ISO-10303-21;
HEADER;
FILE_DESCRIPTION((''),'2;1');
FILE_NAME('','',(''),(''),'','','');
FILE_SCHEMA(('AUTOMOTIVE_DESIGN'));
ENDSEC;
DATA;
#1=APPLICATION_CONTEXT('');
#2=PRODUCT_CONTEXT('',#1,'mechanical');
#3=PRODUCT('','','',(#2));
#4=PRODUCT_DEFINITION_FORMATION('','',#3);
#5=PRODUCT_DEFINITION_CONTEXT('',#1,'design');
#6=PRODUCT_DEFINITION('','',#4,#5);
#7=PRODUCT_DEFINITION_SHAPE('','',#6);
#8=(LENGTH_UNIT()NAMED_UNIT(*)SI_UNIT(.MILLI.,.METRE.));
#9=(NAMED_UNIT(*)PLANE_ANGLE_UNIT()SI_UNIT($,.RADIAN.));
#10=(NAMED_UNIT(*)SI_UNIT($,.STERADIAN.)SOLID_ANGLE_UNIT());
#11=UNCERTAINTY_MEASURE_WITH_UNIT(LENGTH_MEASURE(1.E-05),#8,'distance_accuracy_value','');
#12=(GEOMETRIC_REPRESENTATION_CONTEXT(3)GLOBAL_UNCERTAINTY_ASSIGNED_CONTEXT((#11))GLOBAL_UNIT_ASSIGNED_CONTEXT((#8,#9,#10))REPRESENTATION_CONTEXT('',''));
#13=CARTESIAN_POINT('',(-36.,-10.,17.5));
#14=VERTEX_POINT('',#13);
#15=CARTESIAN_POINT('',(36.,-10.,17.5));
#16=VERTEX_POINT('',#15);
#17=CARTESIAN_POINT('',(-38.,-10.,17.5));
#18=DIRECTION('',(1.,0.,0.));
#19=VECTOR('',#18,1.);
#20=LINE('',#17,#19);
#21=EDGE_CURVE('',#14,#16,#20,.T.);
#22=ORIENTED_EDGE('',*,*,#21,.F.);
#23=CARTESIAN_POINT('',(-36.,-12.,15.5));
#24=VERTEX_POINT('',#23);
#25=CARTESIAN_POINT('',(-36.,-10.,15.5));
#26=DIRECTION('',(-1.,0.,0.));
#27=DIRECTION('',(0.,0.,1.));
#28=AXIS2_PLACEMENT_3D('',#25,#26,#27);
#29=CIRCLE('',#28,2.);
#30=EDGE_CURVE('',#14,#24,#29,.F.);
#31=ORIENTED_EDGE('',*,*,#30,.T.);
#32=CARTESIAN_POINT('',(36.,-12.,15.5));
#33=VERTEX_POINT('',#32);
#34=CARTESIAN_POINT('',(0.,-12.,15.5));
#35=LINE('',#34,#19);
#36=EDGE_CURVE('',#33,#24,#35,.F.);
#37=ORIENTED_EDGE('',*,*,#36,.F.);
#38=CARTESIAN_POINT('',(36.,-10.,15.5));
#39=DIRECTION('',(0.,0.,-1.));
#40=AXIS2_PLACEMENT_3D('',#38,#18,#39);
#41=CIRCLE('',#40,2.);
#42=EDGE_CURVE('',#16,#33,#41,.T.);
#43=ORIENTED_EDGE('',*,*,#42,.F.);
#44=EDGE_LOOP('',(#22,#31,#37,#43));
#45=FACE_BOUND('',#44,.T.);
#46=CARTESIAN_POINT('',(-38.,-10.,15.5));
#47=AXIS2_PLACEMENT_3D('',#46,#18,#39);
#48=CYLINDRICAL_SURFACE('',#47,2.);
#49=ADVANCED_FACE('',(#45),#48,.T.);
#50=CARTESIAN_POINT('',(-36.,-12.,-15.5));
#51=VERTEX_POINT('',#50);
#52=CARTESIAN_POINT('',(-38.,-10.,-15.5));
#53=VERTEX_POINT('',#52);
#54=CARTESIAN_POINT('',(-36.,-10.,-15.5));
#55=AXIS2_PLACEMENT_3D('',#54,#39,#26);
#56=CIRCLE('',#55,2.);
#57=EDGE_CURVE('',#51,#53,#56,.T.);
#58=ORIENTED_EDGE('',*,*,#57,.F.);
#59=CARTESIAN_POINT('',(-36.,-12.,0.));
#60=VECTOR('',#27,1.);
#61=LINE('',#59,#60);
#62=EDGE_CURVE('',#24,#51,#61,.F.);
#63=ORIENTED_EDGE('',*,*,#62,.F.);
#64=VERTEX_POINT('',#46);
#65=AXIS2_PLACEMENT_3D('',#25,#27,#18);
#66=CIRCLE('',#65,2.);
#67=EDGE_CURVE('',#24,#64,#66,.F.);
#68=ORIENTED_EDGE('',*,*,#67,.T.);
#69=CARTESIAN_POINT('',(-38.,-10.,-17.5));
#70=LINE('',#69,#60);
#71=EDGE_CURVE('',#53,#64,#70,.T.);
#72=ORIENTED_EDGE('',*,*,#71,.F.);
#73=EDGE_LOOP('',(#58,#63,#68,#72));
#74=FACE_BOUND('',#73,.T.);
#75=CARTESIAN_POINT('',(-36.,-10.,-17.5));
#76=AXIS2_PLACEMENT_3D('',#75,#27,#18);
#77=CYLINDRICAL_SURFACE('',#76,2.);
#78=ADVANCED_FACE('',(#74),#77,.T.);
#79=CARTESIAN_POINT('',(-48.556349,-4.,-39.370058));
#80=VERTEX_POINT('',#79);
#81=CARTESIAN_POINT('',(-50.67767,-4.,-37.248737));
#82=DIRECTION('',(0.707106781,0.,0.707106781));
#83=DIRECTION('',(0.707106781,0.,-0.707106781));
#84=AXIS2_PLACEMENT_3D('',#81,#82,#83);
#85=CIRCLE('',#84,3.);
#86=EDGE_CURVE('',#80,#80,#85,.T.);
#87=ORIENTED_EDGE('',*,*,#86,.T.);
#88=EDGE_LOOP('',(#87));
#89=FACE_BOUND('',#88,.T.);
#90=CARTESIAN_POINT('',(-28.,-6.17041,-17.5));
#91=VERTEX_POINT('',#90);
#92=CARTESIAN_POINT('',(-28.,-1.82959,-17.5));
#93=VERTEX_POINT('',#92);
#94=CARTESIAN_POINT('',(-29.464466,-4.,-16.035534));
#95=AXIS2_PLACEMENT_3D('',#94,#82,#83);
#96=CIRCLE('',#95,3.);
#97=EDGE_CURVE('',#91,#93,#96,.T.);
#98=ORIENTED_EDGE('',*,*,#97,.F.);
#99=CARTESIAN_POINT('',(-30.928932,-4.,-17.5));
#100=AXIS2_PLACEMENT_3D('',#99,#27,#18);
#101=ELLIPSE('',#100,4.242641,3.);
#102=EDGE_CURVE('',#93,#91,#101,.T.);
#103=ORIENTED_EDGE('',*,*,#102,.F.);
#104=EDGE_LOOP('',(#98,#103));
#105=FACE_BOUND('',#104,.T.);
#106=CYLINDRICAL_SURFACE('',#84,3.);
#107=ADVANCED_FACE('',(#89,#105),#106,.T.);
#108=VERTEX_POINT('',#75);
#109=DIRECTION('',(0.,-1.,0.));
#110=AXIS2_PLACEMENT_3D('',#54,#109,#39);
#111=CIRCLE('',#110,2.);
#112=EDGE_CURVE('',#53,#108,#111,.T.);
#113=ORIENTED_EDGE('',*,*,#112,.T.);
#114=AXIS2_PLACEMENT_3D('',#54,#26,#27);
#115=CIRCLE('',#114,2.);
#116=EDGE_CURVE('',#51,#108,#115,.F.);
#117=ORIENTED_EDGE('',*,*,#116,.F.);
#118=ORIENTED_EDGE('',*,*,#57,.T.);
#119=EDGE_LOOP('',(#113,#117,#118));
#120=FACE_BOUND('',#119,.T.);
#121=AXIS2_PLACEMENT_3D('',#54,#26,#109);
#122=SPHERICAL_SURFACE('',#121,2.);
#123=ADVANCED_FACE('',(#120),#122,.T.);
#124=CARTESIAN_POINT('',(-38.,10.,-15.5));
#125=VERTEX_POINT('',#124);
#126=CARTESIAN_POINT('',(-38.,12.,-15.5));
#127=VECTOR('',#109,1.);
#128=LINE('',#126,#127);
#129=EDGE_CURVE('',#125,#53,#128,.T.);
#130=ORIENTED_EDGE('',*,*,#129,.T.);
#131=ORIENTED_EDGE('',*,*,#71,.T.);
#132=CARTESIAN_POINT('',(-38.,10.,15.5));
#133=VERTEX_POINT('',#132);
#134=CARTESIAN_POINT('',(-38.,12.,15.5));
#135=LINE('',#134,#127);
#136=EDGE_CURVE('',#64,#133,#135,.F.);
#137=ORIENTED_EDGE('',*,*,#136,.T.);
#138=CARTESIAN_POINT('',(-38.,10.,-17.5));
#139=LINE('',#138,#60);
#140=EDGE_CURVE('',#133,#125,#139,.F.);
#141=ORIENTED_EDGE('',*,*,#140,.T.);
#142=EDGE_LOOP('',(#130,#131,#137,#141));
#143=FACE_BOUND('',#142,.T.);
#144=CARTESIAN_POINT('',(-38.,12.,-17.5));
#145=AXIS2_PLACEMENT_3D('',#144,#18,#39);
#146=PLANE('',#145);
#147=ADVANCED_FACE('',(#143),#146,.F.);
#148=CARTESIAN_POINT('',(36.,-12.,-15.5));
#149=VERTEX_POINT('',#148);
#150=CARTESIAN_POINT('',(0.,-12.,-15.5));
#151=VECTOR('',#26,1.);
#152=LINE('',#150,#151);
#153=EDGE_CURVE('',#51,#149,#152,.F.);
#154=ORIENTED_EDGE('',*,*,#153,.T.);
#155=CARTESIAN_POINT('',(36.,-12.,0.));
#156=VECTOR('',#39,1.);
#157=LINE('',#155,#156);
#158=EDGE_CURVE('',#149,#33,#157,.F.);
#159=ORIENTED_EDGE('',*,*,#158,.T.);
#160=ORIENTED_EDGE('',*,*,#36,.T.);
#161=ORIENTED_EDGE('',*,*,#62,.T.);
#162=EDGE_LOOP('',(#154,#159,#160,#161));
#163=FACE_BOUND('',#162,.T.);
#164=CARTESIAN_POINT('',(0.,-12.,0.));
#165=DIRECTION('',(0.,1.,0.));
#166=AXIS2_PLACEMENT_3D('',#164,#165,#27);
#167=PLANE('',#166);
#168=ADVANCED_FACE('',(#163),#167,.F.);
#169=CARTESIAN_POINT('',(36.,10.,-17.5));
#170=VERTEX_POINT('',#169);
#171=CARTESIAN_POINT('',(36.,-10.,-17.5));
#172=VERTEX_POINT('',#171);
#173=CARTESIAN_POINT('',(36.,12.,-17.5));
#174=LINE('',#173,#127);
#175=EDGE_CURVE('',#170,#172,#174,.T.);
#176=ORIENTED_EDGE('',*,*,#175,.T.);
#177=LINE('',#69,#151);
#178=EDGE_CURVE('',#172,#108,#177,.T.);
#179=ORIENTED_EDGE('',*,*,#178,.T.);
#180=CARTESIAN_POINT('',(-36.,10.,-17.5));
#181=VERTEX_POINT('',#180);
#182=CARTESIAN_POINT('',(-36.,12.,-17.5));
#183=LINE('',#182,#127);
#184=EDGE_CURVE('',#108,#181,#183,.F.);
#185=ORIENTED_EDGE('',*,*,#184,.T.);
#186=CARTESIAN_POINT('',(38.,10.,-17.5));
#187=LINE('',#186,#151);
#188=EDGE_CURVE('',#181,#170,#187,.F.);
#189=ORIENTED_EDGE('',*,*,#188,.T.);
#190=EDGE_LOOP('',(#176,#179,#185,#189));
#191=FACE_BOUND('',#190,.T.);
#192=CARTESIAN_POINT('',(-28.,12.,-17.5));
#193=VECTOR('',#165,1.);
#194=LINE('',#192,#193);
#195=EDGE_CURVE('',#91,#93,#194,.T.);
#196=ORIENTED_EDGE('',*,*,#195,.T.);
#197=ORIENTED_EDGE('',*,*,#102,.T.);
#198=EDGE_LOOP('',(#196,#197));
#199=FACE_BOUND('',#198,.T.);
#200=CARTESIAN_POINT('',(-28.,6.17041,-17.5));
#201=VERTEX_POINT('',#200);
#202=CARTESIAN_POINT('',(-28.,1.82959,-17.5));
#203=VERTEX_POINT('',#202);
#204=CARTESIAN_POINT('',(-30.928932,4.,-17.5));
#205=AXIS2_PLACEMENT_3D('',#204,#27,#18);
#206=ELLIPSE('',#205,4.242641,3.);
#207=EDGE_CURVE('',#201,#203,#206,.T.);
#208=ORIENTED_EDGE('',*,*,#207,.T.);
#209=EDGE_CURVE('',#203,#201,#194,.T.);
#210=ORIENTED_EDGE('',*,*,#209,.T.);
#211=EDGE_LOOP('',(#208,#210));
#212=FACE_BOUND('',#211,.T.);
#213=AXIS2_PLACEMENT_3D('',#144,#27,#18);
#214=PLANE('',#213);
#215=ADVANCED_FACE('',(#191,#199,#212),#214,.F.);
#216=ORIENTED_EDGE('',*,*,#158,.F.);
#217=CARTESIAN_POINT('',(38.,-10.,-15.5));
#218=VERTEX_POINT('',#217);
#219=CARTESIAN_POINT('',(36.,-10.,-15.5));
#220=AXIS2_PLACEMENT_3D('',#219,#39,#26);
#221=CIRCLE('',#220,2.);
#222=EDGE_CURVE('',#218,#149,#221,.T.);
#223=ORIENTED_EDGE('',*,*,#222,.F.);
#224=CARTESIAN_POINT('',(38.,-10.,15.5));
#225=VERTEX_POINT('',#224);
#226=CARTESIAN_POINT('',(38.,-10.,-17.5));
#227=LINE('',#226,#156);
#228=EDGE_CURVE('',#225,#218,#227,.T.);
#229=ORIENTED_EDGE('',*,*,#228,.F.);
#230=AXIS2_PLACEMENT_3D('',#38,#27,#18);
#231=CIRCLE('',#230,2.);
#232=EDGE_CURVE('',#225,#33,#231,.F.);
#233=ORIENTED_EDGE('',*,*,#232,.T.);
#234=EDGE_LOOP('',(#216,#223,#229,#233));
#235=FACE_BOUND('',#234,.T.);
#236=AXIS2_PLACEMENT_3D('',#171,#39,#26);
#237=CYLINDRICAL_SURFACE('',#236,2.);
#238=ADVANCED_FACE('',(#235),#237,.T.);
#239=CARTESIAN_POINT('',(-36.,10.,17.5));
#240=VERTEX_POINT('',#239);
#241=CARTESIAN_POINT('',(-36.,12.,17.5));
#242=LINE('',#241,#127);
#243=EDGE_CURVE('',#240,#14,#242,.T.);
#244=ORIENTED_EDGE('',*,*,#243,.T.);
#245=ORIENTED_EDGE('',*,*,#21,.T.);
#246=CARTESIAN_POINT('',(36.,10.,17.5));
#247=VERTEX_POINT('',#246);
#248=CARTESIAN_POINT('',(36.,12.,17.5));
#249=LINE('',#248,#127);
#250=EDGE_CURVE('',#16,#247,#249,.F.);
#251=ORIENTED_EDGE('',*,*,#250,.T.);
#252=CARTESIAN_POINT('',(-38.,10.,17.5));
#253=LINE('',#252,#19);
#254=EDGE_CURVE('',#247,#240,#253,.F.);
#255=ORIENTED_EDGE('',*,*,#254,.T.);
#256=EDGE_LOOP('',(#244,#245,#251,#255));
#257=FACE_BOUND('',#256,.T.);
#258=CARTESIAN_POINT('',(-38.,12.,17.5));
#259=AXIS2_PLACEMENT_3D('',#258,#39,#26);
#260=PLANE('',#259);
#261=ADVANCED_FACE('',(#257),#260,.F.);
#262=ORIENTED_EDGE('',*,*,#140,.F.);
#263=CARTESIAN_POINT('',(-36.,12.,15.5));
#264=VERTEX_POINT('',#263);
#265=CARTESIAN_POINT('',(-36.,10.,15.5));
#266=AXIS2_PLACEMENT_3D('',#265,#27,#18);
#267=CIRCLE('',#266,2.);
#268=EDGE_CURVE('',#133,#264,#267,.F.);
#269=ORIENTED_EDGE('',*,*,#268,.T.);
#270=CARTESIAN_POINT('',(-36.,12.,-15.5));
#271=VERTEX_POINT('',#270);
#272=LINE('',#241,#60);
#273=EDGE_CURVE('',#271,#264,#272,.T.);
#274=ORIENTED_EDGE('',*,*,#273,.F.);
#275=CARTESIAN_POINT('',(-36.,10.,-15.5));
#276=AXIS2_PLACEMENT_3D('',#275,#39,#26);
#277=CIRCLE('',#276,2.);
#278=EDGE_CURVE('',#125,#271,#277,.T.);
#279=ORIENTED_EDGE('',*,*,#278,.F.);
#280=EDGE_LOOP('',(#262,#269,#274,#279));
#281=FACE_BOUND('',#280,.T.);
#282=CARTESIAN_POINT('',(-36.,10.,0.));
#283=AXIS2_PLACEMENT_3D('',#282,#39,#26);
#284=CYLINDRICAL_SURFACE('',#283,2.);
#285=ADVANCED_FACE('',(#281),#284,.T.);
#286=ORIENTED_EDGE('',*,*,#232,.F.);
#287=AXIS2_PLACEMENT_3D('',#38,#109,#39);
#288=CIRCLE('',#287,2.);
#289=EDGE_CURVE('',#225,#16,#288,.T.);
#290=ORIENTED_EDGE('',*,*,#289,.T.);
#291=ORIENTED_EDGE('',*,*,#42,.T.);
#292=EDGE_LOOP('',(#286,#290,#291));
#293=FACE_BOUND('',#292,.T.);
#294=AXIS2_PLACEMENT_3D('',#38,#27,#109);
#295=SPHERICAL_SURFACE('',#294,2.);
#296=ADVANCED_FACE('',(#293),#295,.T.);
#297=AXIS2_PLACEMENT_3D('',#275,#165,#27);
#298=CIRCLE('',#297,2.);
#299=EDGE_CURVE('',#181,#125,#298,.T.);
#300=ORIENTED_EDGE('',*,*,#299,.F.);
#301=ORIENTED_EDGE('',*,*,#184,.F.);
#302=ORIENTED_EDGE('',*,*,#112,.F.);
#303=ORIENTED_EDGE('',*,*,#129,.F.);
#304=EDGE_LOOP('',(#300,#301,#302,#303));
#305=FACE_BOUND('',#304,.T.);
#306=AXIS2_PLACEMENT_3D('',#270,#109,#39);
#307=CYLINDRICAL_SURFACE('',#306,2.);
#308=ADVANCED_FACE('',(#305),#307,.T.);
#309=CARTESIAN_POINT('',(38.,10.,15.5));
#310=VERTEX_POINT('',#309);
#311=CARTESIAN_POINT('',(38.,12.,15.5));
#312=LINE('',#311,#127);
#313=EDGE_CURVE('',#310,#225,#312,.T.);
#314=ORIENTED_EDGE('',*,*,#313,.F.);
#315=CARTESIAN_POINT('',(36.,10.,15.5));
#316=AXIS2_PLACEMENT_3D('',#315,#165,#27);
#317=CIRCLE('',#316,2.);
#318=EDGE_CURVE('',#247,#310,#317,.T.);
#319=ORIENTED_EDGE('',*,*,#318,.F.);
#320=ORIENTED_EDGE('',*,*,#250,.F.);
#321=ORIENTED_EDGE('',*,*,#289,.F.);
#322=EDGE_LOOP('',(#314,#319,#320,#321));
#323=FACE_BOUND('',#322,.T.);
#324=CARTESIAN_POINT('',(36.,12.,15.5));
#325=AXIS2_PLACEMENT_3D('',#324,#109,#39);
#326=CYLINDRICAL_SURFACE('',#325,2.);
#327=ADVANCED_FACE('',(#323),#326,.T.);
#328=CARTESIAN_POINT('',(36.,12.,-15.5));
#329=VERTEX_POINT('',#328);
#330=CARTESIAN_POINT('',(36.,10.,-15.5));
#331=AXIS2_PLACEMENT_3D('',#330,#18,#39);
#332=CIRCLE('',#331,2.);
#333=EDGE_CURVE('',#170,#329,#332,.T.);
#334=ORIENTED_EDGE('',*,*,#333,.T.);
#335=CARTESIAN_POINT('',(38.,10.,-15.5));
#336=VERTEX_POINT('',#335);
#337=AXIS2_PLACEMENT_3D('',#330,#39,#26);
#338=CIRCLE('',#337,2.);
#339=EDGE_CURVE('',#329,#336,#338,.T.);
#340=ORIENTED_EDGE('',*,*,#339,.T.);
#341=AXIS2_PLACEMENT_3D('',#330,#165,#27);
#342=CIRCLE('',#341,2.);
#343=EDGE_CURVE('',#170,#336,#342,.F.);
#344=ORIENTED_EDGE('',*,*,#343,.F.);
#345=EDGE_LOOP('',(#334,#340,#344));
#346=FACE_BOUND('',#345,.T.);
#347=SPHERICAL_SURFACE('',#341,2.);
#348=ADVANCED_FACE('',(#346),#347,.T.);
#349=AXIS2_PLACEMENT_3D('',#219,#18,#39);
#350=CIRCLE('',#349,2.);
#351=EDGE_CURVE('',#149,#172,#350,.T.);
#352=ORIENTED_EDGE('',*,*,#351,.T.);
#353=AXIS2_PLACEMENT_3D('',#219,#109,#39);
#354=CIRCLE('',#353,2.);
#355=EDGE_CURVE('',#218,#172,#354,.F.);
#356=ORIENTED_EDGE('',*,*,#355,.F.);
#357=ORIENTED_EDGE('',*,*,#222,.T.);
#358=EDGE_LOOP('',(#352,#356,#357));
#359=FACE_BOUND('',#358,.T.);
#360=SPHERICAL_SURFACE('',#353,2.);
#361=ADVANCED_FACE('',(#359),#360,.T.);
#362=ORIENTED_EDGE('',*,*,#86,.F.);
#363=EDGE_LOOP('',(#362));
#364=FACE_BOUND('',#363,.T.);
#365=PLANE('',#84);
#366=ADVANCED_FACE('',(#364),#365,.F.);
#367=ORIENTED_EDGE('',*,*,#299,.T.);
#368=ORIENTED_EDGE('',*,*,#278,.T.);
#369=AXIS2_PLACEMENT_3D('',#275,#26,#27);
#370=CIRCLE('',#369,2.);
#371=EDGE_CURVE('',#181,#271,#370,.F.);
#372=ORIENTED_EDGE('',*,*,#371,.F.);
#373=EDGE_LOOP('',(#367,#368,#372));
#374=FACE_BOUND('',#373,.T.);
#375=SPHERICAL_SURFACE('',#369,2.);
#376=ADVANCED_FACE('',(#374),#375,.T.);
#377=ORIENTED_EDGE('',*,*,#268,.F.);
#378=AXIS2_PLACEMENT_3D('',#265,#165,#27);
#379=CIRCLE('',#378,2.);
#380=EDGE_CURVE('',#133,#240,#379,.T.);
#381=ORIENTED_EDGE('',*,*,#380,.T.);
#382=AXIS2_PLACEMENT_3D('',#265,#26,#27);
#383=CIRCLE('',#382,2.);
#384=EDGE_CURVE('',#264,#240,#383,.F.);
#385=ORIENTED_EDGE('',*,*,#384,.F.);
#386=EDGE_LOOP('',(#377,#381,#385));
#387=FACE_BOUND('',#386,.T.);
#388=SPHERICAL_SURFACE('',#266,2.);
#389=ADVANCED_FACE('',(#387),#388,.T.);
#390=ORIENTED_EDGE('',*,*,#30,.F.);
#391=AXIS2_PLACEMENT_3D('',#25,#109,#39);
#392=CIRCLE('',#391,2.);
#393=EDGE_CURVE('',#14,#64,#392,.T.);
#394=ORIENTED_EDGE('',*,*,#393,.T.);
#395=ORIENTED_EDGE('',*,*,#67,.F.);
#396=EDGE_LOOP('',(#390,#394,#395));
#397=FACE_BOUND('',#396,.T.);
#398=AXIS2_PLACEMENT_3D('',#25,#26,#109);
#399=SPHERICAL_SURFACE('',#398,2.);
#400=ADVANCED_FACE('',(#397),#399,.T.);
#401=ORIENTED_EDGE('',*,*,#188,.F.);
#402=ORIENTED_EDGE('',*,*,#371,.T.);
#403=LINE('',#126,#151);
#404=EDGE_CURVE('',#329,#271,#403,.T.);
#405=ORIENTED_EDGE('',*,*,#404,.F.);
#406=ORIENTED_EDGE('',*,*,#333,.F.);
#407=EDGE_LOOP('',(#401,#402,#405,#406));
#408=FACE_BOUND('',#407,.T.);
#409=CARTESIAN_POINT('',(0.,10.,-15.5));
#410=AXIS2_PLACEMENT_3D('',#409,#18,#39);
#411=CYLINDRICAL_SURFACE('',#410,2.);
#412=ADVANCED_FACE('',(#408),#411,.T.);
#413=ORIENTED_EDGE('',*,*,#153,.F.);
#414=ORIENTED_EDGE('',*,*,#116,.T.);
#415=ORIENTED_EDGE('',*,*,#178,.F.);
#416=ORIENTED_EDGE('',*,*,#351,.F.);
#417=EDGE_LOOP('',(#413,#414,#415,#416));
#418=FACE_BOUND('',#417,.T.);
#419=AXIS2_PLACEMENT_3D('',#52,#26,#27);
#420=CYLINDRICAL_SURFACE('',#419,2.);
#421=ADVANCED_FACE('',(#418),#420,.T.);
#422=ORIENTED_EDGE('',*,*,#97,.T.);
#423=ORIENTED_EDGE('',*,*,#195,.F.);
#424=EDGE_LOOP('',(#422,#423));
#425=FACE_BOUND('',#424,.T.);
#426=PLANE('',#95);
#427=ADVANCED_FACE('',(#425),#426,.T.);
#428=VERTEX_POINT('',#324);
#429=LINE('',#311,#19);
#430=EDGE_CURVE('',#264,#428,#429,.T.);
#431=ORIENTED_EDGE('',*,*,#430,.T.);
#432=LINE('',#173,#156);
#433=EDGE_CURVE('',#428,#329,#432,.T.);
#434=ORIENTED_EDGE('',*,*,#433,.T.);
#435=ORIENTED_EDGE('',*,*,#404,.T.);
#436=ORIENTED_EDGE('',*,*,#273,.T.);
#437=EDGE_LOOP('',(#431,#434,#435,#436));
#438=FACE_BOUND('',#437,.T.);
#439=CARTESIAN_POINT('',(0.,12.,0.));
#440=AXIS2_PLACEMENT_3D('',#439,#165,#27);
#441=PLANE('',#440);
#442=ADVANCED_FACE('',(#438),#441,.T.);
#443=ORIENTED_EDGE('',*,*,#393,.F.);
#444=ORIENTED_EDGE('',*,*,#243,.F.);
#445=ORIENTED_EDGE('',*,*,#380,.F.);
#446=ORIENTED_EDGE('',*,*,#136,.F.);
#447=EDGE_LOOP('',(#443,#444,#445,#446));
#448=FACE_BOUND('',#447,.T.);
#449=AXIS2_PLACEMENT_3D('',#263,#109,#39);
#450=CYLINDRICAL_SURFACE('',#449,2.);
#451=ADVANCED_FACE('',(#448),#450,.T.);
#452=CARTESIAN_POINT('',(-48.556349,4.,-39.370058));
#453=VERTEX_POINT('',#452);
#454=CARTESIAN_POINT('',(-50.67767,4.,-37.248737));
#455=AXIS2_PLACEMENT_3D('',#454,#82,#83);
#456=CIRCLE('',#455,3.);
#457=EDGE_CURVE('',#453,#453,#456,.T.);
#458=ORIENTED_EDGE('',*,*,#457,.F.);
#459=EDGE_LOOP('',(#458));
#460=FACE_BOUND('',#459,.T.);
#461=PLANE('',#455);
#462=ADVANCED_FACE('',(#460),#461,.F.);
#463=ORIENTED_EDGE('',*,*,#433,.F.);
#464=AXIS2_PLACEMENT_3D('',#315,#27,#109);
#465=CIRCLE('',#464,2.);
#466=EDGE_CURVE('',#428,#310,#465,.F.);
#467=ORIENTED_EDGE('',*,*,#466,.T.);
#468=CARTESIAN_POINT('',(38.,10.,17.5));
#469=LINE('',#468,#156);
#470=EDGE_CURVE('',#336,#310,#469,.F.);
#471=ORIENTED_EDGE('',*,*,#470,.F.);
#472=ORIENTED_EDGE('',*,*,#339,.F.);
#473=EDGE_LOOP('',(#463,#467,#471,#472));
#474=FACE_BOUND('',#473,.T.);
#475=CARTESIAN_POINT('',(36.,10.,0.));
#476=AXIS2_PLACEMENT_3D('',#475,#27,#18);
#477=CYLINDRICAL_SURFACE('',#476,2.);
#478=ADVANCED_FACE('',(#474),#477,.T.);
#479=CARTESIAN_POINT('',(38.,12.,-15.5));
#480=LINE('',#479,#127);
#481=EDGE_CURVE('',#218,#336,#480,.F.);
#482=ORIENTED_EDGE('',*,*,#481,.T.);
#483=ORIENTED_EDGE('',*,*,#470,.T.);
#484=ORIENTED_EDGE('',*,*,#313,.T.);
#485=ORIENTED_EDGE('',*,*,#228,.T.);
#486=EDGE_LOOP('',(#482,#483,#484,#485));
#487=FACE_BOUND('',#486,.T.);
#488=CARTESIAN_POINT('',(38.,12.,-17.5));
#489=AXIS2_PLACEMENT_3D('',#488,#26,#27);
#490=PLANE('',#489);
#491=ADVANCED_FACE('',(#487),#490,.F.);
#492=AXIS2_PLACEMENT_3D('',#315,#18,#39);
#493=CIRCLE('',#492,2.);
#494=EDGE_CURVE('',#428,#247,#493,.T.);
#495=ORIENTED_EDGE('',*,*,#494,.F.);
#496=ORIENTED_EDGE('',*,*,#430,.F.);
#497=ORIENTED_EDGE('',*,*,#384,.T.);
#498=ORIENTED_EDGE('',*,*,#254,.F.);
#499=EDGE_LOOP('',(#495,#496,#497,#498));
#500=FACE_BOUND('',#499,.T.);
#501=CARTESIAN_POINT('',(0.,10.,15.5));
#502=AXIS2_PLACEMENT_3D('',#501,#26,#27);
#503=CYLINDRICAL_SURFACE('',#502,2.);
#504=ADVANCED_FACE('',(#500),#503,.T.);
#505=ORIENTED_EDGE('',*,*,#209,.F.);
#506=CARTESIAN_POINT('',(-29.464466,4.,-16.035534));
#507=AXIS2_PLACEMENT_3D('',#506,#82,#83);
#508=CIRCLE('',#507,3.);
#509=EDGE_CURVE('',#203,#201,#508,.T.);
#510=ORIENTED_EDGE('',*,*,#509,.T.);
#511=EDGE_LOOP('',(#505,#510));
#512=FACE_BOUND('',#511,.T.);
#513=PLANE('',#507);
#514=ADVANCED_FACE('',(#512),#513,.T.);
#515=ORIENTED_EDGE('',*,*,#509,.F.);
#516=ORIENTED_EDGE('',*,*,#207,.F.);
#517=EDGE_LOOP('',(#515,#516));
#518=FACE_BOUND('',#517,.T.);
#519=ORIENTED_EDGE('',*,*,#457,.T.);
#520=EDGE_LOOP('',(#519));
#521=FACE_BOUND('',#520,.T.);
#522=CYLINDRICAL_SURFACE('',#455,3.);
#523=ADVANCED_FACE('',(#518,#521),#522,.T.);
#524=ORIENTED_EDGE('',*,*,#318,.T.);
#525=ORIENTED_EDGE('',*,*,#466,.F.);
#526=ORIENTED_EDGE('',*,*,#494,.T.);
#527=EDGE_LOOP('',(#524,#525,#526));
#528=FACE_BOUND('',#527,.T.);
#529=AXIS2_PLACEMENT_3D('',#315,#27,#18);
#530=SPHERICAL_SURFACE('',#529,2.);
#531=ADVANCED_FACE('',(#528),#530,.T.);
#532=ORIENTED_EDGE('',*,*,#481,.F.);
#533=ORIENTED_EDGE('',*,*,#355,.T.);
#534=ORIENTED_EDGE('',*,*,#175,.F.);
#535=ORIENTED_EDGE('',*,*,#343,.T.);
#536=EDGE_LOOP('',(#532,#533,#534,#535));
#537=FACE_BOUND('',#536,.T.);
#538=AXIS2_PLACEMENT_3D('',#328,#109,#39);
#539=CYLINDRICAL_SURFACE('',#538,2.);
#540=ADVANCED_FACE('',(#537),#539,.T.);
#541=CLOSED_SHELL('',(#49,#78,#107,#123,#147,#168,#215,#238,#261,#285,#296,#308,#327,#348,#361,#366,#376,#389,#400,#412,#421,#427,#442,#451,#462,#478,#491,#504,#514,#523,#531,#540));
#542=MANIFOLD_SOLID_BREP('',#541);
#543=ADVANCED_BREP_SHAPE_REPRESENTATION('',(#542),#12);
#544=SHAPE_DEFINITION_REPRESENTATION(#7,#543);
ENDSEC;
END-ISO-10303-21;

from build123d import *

# Parameters (mm, degrees)
SKETCH1_W           = 76
SKETCH1_H           = 35
BOSS_EXTRUDE1_DEPTH = 12
SKETCH4_R           = 3
BOSS_EXTRUDE2_DEPTH = 30
FILLET1_R           = 2


with BuildPart() as part:
    # Sketch1 → Boss-Extrude1 (new body, symmetric)
    with BuildSketch(Plane(origin=(0, 0, 0), x_dir=(1, 0, 0), z_dir=(0, 1, 0))):
        Rectangle(SKETCH1_W, SKETCH1_H)
    extrude(amount=BOSS_EXTRUDE1_DEPTH, both=True)

    # Sketch4 → Boss-Extrude2 (add)
    with BuildSketch(Plane(origin=(-22.75, 0, -22.75), x_dir=(0.707106781, 0, -0.707106781), z_dir=(0.707106781, 0, 0.707106781))):
        with Locations((-9.495689014, 4)):
            Circle(SKETCH4_R)
        with Locations((-9.495689014, -4)):
            Circle(SKETCH4_R)
    extrude(amount=-BOSS_EXTRUDE2_DEPTH)

    # Fillet1
    fillet1_edges = [part.edges().sort_by_distance(p)[0] for p in [
        (-38, 12, 0),
        (0, 12, 17.5),
        (38, 12, 0),
        (0, -12, 17.5),
        (-38, -12, 0),
        (0, -12, -17.5),
        (38, -12, 0),
        (38, 0, 17.5),
        (-38, 0, 17.5),
        (-38, 0, -17.5),
        (38, 0, -17.5),
        (0, 12, -17.5),
    ]]
    fillet(fillet1_edges, radius=FILLET1_R)


solid = part.part
